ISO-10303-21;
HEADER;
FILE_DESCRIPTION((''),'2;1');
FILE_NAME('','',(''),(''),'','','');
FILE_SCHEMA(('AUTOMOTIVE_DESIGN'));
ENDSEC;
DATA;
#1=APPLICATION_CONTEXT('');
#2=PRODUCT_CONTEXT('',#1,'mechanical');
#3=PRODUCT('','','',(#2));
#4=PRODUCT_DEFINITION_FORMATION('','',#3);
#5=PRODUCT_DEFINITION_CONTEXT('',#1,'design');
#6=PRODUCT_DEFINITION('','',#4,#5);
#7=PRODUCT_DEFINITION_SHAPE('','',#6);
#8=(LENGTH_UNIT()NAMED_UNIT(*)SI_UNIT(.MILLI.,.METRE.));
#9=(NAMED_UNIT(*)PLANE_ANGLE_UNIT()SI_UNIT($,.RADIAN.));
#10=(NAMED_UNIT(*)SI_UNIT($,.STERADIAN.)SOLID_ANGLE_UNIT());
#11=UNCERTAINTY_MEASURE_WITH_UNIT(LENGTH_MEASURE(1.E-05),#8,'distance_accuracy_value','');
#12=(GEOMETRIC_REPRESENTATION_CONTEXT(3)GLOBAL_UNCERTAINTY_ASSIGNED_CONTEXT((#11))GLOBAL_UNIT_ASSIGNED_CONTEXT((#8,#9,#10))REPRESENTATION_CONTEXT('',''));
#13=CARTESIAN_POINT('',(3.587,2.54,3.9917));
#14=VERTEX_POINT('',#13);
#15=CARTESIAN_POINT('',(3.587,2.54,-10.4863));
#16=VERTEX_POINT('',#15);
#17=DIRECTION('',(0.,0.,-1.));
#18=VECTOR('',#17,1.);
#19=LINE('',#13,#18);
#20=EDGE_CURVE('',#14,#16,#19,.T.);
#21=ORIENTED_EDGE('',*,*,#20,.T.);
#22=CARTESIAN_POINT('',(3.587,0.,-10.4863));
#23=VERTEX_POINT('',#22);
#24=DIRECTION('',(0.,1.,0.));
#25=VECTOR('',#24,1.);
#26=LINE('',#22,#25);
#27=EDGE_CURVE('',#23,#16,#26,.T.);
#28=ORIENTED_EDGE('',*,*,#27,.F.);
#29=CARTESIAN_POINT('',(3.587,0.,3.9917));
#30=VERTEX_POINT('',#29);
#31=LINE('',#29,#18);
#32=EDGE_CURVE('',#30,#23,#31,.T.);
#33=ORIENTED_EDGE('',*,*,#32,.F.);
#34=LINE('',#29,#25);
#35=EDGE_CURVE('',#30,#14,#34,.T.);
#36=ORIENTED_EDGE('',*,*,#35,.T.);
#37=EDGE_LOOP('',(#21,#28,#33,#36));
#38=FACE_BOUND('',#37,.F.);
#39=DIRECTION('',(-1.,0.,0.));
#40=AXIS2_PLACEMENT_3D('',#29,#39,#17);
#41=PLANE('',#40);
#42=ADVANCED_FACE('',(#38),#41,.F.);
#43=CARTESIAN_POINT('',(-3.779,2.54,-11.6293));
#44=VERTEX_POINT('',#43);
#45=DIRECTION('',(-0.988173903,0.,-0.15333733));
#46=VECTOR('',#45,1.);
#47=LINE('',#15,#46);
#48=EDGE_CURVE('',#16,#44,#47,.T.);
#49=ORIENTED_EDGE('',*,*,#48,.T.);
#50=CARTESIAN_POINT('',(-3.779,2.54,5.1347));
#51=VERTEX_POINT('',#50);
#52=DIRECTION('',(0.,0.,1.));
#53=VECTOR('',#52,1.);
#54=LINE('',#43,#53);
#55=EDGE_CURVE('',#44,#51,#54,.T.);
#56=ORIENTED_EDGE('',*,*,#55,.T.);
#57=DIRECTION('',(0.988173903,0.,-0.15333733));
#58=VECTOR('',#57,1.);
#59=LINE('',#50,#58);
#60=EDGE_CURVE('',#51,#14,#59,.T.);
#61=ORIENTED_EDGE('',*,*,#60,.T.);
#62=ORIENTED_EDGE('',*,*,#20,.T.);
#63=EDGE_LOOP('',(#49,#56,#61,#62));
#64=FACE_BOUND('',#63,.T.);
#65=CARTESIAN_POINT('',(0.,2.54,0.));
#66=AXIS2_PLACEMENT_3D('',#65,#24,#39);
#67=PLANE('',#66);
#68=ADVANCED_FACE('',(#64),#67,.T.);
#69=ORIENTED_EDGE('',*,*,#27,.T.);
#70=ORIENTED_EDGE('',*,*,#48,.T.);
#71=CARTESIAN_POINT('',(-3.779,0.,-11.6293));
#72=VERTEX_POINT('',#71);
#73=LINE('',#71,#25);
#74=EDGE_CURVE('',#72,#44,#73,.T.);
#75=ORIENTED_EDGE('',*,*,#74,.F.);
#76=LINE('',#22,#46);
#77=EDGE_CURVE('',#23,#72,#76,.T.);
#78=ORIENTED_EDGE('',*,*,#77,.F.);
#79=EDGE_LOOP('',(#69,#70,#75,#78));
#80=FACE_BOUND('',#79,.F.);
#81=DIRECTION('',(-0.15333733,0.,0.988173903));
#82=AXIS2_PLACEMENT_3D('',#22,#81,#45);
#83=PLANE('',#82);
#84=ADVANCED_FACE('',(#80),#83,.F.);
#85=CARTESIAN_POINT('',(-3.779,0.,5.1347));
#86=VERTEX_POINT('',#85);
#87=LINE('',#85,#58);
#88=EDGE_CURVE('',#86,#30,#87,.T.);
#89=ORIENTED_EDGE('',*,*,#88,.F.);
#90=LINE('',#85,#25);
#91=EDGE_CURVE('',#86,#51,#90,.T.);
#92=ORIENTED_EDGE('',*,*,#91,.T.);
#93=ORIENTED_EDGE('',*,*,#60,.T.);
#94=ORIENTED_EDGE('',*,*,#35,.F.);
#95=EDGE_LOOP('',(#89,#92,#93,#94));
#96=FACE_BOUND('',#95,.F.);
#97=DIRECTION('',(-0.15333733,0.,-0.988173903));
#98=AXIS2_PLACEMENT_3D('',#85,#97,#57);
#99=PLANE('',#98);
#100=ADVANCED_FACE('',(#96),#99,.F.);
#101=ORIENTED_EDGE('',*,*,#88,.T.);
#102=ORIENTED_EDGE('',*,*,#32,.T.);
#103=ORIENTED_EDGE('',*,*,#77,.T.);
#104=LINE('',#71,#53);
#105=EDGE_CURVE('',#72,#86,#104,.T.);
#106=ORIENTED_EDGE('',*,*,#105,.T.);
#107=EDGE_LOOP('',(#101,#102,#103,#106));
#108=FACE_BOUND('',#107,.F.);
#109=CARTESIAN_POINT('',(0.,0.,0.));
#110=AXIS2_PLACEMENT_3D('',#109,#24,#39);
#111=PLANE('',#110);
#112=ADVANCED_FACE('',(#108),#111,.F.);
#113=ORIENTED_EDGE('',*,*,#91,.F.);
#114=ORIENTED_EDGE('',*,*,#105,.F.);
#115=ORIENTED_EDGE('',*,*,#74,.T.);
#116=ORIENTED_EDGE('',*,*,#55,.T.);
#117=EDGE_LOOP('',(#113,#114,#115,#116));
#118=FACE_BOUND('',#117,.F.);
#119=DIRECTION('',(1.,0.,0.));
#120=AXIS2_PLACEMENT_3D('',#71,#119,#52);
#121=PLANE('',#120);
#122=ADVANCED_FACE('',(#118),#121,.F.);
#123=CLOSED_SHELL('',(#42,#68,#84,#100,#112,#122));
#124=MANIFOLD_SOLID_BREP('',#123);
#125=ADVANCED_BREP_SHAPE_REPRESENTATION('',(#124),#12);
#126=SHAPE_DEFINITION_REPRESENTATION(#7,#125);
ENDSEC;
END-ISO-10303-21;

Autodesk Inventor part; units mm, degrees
ref_plane "YZ Plane" through (0, 0, 0) normal (1, 0, 0) x (0, 1, 0)
ref_plane "XZ Plane" through (0, 0, 0) normal (0, 1, 0) x (-1, 0, 0)
ref_plane "XY Plane" through (0, 0, 0) normal (0, 0, 1) x (1, 0, 0)
sketch "Sketch1" plane through (0, 0, 0) normal (0, 1, 0) x (-1, 0, 0)
  line L0 (-3.587, 3.9917) -> (-3.587, -10.4863)
  line L1 (-3.587, -10.4863) -> (3.779, -11.6293)
  line L2 (3.779, -11.6293) -> (3.779, 5.1347)
  line L3 (3.779, 5.1347) -> (-3.587, 3.9917)
  point P0 (0, 0)
  dimension "d0" = 16.764
  dimension "d1" = 14.478
  dimension "d2" = 7.366
extrude "Extrusion1" add sketch "Sketch1" along normal blind 2.54
properties part number "InsertTest1"
